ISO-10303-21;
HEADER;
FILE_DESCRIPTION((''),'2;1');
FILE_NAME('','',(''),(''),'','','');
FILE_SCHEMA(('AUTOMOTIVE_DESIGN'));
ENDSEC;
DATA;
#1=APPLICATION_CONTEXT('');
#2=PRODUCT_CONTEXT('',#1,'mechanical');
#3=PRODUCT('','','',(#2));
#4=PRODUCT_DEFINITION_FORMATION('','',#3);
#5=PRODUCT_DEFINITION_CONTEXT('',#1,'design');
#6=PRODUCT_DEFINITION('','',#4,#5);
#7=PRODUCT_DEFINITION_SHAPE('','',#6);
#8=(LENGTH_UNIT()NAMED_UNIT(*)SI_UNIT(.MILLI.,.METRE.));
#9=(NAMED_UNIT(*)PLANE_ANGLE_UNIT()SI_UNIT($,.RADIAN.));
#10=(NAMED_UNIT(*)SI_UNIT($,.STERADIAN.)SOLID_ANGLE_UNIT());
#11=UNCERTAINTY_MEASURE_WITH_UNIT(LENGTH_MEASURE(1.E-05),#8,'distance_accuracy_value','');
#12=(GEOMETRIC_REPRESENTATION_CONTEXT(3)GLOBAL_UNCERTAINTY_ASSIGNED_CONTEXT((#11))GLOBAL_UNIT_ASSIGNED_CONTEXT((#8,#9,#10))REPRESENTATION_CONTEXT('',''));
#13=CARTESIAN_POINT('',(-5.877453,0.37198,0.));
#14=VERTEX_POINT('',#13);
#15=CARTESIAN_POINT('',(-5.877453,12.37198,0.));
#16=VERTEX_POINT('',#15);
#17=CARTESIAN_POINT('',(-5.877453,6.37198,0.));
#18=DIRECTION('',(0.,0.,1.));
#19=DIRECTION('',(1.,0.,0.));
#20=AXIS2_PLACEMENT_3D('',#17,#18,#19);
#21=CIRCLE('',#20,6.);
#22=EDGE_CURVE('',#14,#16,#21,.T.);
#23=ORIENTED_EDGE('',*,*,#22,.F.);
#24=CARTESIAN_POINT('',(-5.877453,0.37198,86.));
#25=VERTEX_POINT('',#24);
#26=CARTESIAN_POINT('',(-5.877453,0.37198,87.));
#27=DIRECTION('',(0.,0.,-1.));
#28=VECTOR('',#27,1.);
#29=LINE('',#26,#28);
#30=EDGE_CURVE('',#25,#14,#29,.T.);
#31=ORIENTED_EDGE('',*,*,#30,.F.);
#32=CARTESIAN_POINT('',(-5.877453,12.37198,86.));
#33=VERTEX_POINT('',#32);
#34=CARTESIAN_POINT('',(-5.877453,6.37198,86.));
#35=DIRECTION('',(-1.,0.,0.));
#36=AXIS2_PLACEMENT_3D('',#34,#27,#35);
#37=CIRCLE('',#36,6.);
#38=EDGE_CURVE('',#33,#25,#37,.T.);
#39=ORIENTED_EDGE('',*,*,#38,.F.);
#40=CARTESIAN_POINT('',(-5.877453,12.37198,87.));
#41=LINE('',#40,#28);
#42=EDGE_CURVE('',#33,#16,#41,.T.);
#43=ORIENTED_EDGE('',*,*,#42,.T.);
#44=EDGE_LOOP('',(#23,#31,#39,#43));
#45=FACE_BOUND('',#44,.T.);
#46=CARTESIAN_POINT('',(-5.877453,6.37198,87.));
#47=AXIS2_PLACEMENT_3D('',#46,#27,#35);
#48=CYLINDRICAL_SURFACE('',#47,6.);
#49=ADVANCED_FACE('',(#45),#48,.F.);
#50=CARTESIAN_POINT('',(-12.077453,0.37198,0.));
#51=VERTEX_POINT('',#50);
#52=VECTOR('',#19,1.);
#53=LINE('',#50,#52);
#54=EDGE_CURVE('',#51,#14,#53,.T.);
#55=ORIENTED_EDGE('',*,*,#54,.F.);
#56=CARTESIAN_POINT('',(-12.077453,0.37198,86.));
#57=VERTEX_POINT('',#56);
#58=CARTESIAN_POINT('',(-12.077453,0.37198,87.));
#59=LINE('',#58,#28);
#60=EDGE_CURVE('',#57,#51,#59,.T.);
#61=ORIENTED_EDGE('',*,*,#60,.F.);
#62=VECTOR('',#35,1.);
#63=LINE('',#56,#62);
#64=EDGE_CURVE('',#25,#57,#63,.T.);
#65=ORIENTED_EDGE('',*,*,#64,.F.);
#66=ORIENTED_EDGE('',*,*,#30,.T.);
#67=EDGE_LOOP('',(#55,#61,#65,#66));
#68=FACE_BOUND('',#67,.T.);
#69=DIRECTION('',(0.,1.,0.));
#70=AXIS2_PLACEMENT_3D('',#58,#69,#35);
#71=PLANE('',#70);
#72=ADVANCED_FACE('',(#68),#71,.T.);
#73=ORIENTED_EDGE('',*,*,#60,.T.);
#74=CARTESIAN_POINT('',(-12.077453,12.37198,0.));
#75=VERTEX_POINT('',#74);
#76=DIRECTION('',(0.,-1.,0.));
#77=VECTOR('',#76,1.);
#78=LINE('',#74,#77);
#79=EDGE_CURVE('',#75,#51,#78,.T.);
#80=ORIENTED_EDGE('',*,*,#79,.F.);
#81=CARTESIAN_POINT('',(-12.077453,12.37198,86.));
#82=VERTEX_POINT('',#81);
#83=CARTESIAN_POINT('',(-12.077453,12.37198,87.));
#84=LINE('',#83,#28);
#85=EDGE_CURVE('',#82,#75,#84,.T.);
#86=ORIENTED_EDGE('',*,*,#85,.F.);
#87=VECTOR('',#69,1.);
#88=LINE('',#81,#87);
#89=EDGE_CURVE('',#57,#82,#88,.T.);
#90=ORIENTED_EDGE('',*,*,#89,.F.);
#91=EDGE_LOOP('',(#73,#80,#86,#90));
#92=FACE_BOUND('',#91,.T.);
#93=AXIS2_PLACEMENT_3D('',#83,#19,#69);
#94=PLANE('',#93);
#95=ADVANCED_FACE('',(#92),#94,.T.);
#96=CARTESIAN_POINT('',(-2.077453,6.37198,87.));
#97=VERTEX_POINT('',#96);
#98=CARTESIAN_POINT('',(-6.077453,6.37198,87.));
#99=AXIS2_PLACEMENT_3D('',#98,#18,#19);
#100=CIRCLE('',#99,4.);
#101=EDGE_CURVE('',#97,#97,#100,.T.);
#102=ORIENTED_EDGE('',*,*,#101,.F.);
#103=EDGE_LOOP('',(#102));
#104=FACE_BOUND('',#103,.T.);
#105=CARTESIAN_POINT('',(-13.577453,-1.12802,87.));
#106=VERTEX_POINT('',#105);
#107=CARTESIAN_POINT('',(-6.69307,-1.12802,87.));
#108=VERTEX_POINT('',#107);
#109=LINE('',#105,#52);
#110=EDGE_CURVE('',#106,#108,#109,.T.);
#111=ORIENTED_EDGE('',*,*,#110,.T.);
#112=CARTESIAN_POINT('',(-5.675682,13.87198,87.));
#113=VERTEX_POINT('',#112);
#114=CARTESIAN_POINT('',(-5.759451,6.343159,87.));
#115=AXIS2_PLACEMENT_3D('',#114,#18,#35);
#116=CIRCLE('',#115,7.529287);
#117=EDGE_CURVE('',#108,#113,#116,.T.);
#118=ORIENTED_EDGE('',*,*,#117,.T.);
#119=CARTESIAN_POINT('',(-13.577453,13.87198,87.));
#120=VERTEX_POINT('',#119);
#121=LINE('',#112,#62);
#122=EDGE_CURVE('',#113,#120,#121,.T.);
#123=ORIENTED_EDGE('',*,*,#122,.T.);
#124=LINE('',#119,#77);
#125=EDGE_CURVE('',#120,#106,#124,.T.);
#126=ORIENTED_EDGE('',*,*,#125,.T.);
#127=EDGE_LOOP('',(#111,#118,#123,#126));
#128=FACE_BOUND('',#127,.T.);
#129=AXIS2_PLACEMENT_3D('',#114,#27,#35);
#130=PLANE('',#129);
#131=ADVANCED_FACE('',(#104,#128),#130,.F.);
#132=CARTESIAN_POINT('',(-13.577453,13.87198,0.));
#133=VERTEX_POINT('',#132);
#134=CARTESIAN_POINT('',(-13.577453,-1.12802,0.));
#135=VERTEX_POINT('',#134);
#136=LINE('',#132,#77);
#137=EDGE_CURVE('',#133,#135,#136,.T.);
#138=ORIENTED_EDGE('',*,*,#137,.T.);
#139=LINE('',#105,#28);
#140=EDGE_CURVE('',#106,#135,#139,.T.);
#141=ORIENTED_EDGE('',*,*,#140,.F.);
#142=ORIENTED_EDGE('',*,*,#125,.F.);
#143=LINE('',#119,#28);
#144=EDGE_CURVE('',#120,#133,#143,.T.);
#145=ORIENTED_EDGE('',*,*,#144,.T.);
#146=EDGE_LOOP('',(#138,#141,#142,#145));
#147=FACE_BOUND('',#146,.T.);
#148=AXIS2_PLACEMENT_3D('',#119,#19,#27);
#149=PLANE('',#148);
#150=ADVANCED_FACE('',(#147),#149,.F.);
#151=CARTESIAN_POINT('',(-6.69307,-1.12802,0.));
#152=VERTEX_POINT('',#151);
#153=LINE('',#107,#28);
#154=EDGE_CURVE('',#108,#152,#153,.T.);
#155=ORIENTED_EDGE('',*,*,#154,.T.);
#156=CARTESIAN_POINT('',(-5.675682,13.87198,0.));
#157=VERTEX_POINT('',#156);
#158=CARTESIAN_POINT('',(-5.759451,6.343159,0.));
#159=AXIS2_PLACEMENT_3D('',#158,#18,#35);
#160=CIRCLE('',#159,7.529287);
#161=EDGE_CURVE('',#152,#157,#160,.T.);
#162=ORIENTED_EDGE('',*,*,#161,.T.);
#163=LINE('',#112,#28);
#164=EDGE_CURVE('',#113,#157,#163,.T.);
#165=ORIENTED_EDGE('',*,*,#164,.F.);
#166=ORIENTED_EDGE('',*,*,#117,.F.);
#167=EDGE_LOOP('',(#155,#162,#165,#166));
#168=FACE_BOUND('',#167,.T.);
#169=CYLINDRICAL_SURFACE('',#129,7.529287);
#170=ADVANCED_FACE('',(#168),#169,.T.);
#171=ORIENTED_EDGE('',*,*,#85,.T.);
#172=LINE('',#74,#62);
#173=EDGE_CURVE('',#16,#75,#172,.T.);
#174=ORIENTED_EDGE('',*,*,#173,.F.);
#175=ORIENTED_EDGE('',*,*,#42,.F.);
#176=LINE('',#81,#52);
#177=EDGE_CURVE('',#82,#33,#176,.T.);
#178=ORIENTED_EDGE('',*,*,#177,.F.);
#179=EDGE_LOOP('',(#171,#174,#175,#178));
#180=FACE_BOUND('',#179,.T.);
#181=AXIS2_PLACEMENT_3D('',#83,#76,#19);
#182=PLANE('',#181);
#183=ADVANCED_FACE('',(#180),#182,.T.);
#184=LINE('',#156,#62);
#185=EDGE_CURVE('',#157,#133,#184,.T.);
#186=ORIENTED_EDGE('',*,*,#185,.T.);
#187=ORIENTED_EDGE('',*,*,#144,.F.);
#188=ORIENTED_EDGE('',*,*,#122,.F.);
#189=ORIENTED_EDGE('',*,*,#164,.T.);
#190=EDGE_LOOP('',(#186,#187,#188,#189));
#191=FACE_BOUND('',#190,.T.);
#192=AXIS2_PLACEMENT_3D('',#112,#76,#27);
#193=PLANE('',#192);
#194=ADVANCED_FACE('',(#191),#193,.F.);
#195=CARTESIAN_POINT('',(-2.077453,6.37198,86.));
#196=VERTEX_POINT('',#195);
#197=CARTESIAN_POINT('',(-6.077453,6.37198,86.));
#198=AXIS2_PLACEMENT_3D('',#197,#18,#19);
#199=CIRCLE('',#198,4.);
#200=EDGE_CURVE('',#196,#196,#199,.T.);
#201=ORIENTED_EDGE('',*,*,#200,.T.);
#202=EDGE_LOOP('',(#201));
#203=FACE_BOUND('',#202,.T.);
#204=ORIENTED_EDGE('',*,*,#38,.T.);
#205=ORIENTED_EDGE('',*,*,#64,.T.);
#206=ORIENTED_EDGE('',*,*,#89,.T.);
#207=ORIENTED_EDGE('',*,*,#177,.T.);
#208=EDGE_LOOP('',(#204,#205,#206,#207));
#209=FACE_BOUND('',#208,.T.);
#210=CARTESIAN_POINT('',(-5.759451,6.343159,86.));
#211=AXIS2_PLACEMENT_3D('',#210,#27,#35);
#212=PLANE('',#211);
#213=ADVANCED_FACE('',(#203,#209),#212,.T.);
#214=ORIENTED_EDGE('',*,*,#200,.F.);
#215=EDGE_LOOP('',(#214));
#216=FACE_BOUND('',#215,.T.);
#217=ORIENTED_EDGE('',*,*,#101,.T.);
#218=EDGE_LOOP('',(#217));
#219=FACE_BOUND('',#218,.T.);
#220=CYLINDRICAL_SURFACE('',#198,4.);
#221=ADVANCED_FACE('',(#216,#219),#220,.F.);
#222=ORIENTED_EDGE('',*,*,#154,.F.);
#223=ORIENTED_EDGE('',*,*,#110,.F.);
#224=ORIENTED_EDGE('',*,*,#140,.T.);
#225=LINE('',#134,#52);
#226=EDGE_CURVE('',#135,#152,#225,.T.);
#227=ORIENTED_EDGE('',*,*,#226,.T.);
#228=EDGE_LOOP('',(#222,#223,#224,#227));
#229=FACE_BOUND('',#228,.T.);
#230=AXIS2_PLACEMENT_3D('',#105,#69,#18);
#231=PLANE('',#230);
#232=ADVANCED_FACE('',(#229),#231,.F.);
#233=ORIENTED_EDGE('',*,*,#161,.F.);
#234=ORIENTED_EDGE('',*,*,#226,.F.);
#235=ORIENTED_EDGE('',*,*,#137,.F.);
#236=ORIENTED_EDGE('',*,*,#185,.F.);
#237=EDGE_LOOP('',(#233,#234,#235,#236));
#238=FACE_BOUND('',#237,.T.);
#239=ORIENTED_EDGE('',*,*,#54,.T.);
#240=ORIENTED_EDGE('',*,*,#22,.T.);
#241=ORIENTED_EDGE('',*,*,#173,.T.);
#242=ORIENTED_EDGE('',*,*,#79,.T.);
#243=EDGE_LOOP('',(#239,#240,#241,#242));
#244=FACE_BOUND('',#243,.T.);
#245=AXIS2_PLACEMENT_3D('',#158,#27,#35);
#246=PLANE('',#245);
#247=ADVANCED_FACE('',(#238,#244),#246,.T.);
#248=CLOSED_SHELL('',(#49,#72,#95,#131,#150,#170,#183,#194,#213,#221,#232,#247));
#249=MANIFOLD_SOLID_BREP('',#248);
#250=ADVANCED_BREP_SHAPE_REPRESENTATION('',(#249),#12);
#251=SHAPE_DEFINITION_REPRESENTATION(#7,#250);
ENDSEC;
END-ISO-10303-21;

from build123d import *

# Parameters (mm, degrees)
SALIENTE_EXTRUIR1_DEPTH = 87
SALIENTE_EXTRUIR2_START = -1
CROQUIS2_R              = 4
SALIENTE_EXTRUIR2_DEPTH = 1


with BuildPart() as part:
    # Croquis1 → Saliente-Extruir1 (new body)
    with BuildSketch(Plane.XY):
        with BuildLine():
            Line((-5.675682168, 13.871979869), (-13.577452672, 13.871979869))
            Line((-13.577452672, 13.871979869), (-13.577452672, -1.128020131))
            Line((-13.577452672, -1.128020131), (-6.693069658, -1.128020131))
            ThreePointArc((-6.693069658, -1.128020131), (1.75257721, 5.833649414), (-5.675682168, 13.871979869))
        make_face()
        with BuildLine():
            Line((-12.077452672, 12.371979869), (-5.877452672, 12.371979869))
            ThreePointArc((-5.877452672, 12.371979869), (0.122547328, 6.371979869), (-5.877452672, 0.371979869))
            Line((-5.877452672, 0.371979869), (-12.077452672, 0.371979869))
            Line((-12.077452672, 0.371979869), (-12.077452672, 12.371979869))
        make_face(mode=Mode.SUBTRACT)
    extrude(amount=SALIENTE_EXTRUIR1_DEPTH)

    # Croquis2 → Saliente-Extruir2 (add)
    with BuildSketch(Plane.XY.offset(87).offset(SALIENTE_EXTRUIR2_START)):
        with BuildLine():
            Line((-13.577452672, 13.871979869), (-13.577452672, -1.128020131))
            Line((-13.577452672, -1.128020131), (-4.825831505, -1.128020131))
            ThreePointArc((-4.825831505, -1.128020131), (1.757780912, 6.769060566), (-5.675682168, 13.871979869))
            Line((-5.675682168, 13.871979869), (-13.577452672, 13.871979869))
        make_face()
        with Locations((-6.077452672, 6.371979869)):
            Circle(CROQUIS2_R, mode=Mode.SUBTRACT)
    extrude(amount=SALIENTE_EXTRUIR2_DEPTH)


solid = part.part
